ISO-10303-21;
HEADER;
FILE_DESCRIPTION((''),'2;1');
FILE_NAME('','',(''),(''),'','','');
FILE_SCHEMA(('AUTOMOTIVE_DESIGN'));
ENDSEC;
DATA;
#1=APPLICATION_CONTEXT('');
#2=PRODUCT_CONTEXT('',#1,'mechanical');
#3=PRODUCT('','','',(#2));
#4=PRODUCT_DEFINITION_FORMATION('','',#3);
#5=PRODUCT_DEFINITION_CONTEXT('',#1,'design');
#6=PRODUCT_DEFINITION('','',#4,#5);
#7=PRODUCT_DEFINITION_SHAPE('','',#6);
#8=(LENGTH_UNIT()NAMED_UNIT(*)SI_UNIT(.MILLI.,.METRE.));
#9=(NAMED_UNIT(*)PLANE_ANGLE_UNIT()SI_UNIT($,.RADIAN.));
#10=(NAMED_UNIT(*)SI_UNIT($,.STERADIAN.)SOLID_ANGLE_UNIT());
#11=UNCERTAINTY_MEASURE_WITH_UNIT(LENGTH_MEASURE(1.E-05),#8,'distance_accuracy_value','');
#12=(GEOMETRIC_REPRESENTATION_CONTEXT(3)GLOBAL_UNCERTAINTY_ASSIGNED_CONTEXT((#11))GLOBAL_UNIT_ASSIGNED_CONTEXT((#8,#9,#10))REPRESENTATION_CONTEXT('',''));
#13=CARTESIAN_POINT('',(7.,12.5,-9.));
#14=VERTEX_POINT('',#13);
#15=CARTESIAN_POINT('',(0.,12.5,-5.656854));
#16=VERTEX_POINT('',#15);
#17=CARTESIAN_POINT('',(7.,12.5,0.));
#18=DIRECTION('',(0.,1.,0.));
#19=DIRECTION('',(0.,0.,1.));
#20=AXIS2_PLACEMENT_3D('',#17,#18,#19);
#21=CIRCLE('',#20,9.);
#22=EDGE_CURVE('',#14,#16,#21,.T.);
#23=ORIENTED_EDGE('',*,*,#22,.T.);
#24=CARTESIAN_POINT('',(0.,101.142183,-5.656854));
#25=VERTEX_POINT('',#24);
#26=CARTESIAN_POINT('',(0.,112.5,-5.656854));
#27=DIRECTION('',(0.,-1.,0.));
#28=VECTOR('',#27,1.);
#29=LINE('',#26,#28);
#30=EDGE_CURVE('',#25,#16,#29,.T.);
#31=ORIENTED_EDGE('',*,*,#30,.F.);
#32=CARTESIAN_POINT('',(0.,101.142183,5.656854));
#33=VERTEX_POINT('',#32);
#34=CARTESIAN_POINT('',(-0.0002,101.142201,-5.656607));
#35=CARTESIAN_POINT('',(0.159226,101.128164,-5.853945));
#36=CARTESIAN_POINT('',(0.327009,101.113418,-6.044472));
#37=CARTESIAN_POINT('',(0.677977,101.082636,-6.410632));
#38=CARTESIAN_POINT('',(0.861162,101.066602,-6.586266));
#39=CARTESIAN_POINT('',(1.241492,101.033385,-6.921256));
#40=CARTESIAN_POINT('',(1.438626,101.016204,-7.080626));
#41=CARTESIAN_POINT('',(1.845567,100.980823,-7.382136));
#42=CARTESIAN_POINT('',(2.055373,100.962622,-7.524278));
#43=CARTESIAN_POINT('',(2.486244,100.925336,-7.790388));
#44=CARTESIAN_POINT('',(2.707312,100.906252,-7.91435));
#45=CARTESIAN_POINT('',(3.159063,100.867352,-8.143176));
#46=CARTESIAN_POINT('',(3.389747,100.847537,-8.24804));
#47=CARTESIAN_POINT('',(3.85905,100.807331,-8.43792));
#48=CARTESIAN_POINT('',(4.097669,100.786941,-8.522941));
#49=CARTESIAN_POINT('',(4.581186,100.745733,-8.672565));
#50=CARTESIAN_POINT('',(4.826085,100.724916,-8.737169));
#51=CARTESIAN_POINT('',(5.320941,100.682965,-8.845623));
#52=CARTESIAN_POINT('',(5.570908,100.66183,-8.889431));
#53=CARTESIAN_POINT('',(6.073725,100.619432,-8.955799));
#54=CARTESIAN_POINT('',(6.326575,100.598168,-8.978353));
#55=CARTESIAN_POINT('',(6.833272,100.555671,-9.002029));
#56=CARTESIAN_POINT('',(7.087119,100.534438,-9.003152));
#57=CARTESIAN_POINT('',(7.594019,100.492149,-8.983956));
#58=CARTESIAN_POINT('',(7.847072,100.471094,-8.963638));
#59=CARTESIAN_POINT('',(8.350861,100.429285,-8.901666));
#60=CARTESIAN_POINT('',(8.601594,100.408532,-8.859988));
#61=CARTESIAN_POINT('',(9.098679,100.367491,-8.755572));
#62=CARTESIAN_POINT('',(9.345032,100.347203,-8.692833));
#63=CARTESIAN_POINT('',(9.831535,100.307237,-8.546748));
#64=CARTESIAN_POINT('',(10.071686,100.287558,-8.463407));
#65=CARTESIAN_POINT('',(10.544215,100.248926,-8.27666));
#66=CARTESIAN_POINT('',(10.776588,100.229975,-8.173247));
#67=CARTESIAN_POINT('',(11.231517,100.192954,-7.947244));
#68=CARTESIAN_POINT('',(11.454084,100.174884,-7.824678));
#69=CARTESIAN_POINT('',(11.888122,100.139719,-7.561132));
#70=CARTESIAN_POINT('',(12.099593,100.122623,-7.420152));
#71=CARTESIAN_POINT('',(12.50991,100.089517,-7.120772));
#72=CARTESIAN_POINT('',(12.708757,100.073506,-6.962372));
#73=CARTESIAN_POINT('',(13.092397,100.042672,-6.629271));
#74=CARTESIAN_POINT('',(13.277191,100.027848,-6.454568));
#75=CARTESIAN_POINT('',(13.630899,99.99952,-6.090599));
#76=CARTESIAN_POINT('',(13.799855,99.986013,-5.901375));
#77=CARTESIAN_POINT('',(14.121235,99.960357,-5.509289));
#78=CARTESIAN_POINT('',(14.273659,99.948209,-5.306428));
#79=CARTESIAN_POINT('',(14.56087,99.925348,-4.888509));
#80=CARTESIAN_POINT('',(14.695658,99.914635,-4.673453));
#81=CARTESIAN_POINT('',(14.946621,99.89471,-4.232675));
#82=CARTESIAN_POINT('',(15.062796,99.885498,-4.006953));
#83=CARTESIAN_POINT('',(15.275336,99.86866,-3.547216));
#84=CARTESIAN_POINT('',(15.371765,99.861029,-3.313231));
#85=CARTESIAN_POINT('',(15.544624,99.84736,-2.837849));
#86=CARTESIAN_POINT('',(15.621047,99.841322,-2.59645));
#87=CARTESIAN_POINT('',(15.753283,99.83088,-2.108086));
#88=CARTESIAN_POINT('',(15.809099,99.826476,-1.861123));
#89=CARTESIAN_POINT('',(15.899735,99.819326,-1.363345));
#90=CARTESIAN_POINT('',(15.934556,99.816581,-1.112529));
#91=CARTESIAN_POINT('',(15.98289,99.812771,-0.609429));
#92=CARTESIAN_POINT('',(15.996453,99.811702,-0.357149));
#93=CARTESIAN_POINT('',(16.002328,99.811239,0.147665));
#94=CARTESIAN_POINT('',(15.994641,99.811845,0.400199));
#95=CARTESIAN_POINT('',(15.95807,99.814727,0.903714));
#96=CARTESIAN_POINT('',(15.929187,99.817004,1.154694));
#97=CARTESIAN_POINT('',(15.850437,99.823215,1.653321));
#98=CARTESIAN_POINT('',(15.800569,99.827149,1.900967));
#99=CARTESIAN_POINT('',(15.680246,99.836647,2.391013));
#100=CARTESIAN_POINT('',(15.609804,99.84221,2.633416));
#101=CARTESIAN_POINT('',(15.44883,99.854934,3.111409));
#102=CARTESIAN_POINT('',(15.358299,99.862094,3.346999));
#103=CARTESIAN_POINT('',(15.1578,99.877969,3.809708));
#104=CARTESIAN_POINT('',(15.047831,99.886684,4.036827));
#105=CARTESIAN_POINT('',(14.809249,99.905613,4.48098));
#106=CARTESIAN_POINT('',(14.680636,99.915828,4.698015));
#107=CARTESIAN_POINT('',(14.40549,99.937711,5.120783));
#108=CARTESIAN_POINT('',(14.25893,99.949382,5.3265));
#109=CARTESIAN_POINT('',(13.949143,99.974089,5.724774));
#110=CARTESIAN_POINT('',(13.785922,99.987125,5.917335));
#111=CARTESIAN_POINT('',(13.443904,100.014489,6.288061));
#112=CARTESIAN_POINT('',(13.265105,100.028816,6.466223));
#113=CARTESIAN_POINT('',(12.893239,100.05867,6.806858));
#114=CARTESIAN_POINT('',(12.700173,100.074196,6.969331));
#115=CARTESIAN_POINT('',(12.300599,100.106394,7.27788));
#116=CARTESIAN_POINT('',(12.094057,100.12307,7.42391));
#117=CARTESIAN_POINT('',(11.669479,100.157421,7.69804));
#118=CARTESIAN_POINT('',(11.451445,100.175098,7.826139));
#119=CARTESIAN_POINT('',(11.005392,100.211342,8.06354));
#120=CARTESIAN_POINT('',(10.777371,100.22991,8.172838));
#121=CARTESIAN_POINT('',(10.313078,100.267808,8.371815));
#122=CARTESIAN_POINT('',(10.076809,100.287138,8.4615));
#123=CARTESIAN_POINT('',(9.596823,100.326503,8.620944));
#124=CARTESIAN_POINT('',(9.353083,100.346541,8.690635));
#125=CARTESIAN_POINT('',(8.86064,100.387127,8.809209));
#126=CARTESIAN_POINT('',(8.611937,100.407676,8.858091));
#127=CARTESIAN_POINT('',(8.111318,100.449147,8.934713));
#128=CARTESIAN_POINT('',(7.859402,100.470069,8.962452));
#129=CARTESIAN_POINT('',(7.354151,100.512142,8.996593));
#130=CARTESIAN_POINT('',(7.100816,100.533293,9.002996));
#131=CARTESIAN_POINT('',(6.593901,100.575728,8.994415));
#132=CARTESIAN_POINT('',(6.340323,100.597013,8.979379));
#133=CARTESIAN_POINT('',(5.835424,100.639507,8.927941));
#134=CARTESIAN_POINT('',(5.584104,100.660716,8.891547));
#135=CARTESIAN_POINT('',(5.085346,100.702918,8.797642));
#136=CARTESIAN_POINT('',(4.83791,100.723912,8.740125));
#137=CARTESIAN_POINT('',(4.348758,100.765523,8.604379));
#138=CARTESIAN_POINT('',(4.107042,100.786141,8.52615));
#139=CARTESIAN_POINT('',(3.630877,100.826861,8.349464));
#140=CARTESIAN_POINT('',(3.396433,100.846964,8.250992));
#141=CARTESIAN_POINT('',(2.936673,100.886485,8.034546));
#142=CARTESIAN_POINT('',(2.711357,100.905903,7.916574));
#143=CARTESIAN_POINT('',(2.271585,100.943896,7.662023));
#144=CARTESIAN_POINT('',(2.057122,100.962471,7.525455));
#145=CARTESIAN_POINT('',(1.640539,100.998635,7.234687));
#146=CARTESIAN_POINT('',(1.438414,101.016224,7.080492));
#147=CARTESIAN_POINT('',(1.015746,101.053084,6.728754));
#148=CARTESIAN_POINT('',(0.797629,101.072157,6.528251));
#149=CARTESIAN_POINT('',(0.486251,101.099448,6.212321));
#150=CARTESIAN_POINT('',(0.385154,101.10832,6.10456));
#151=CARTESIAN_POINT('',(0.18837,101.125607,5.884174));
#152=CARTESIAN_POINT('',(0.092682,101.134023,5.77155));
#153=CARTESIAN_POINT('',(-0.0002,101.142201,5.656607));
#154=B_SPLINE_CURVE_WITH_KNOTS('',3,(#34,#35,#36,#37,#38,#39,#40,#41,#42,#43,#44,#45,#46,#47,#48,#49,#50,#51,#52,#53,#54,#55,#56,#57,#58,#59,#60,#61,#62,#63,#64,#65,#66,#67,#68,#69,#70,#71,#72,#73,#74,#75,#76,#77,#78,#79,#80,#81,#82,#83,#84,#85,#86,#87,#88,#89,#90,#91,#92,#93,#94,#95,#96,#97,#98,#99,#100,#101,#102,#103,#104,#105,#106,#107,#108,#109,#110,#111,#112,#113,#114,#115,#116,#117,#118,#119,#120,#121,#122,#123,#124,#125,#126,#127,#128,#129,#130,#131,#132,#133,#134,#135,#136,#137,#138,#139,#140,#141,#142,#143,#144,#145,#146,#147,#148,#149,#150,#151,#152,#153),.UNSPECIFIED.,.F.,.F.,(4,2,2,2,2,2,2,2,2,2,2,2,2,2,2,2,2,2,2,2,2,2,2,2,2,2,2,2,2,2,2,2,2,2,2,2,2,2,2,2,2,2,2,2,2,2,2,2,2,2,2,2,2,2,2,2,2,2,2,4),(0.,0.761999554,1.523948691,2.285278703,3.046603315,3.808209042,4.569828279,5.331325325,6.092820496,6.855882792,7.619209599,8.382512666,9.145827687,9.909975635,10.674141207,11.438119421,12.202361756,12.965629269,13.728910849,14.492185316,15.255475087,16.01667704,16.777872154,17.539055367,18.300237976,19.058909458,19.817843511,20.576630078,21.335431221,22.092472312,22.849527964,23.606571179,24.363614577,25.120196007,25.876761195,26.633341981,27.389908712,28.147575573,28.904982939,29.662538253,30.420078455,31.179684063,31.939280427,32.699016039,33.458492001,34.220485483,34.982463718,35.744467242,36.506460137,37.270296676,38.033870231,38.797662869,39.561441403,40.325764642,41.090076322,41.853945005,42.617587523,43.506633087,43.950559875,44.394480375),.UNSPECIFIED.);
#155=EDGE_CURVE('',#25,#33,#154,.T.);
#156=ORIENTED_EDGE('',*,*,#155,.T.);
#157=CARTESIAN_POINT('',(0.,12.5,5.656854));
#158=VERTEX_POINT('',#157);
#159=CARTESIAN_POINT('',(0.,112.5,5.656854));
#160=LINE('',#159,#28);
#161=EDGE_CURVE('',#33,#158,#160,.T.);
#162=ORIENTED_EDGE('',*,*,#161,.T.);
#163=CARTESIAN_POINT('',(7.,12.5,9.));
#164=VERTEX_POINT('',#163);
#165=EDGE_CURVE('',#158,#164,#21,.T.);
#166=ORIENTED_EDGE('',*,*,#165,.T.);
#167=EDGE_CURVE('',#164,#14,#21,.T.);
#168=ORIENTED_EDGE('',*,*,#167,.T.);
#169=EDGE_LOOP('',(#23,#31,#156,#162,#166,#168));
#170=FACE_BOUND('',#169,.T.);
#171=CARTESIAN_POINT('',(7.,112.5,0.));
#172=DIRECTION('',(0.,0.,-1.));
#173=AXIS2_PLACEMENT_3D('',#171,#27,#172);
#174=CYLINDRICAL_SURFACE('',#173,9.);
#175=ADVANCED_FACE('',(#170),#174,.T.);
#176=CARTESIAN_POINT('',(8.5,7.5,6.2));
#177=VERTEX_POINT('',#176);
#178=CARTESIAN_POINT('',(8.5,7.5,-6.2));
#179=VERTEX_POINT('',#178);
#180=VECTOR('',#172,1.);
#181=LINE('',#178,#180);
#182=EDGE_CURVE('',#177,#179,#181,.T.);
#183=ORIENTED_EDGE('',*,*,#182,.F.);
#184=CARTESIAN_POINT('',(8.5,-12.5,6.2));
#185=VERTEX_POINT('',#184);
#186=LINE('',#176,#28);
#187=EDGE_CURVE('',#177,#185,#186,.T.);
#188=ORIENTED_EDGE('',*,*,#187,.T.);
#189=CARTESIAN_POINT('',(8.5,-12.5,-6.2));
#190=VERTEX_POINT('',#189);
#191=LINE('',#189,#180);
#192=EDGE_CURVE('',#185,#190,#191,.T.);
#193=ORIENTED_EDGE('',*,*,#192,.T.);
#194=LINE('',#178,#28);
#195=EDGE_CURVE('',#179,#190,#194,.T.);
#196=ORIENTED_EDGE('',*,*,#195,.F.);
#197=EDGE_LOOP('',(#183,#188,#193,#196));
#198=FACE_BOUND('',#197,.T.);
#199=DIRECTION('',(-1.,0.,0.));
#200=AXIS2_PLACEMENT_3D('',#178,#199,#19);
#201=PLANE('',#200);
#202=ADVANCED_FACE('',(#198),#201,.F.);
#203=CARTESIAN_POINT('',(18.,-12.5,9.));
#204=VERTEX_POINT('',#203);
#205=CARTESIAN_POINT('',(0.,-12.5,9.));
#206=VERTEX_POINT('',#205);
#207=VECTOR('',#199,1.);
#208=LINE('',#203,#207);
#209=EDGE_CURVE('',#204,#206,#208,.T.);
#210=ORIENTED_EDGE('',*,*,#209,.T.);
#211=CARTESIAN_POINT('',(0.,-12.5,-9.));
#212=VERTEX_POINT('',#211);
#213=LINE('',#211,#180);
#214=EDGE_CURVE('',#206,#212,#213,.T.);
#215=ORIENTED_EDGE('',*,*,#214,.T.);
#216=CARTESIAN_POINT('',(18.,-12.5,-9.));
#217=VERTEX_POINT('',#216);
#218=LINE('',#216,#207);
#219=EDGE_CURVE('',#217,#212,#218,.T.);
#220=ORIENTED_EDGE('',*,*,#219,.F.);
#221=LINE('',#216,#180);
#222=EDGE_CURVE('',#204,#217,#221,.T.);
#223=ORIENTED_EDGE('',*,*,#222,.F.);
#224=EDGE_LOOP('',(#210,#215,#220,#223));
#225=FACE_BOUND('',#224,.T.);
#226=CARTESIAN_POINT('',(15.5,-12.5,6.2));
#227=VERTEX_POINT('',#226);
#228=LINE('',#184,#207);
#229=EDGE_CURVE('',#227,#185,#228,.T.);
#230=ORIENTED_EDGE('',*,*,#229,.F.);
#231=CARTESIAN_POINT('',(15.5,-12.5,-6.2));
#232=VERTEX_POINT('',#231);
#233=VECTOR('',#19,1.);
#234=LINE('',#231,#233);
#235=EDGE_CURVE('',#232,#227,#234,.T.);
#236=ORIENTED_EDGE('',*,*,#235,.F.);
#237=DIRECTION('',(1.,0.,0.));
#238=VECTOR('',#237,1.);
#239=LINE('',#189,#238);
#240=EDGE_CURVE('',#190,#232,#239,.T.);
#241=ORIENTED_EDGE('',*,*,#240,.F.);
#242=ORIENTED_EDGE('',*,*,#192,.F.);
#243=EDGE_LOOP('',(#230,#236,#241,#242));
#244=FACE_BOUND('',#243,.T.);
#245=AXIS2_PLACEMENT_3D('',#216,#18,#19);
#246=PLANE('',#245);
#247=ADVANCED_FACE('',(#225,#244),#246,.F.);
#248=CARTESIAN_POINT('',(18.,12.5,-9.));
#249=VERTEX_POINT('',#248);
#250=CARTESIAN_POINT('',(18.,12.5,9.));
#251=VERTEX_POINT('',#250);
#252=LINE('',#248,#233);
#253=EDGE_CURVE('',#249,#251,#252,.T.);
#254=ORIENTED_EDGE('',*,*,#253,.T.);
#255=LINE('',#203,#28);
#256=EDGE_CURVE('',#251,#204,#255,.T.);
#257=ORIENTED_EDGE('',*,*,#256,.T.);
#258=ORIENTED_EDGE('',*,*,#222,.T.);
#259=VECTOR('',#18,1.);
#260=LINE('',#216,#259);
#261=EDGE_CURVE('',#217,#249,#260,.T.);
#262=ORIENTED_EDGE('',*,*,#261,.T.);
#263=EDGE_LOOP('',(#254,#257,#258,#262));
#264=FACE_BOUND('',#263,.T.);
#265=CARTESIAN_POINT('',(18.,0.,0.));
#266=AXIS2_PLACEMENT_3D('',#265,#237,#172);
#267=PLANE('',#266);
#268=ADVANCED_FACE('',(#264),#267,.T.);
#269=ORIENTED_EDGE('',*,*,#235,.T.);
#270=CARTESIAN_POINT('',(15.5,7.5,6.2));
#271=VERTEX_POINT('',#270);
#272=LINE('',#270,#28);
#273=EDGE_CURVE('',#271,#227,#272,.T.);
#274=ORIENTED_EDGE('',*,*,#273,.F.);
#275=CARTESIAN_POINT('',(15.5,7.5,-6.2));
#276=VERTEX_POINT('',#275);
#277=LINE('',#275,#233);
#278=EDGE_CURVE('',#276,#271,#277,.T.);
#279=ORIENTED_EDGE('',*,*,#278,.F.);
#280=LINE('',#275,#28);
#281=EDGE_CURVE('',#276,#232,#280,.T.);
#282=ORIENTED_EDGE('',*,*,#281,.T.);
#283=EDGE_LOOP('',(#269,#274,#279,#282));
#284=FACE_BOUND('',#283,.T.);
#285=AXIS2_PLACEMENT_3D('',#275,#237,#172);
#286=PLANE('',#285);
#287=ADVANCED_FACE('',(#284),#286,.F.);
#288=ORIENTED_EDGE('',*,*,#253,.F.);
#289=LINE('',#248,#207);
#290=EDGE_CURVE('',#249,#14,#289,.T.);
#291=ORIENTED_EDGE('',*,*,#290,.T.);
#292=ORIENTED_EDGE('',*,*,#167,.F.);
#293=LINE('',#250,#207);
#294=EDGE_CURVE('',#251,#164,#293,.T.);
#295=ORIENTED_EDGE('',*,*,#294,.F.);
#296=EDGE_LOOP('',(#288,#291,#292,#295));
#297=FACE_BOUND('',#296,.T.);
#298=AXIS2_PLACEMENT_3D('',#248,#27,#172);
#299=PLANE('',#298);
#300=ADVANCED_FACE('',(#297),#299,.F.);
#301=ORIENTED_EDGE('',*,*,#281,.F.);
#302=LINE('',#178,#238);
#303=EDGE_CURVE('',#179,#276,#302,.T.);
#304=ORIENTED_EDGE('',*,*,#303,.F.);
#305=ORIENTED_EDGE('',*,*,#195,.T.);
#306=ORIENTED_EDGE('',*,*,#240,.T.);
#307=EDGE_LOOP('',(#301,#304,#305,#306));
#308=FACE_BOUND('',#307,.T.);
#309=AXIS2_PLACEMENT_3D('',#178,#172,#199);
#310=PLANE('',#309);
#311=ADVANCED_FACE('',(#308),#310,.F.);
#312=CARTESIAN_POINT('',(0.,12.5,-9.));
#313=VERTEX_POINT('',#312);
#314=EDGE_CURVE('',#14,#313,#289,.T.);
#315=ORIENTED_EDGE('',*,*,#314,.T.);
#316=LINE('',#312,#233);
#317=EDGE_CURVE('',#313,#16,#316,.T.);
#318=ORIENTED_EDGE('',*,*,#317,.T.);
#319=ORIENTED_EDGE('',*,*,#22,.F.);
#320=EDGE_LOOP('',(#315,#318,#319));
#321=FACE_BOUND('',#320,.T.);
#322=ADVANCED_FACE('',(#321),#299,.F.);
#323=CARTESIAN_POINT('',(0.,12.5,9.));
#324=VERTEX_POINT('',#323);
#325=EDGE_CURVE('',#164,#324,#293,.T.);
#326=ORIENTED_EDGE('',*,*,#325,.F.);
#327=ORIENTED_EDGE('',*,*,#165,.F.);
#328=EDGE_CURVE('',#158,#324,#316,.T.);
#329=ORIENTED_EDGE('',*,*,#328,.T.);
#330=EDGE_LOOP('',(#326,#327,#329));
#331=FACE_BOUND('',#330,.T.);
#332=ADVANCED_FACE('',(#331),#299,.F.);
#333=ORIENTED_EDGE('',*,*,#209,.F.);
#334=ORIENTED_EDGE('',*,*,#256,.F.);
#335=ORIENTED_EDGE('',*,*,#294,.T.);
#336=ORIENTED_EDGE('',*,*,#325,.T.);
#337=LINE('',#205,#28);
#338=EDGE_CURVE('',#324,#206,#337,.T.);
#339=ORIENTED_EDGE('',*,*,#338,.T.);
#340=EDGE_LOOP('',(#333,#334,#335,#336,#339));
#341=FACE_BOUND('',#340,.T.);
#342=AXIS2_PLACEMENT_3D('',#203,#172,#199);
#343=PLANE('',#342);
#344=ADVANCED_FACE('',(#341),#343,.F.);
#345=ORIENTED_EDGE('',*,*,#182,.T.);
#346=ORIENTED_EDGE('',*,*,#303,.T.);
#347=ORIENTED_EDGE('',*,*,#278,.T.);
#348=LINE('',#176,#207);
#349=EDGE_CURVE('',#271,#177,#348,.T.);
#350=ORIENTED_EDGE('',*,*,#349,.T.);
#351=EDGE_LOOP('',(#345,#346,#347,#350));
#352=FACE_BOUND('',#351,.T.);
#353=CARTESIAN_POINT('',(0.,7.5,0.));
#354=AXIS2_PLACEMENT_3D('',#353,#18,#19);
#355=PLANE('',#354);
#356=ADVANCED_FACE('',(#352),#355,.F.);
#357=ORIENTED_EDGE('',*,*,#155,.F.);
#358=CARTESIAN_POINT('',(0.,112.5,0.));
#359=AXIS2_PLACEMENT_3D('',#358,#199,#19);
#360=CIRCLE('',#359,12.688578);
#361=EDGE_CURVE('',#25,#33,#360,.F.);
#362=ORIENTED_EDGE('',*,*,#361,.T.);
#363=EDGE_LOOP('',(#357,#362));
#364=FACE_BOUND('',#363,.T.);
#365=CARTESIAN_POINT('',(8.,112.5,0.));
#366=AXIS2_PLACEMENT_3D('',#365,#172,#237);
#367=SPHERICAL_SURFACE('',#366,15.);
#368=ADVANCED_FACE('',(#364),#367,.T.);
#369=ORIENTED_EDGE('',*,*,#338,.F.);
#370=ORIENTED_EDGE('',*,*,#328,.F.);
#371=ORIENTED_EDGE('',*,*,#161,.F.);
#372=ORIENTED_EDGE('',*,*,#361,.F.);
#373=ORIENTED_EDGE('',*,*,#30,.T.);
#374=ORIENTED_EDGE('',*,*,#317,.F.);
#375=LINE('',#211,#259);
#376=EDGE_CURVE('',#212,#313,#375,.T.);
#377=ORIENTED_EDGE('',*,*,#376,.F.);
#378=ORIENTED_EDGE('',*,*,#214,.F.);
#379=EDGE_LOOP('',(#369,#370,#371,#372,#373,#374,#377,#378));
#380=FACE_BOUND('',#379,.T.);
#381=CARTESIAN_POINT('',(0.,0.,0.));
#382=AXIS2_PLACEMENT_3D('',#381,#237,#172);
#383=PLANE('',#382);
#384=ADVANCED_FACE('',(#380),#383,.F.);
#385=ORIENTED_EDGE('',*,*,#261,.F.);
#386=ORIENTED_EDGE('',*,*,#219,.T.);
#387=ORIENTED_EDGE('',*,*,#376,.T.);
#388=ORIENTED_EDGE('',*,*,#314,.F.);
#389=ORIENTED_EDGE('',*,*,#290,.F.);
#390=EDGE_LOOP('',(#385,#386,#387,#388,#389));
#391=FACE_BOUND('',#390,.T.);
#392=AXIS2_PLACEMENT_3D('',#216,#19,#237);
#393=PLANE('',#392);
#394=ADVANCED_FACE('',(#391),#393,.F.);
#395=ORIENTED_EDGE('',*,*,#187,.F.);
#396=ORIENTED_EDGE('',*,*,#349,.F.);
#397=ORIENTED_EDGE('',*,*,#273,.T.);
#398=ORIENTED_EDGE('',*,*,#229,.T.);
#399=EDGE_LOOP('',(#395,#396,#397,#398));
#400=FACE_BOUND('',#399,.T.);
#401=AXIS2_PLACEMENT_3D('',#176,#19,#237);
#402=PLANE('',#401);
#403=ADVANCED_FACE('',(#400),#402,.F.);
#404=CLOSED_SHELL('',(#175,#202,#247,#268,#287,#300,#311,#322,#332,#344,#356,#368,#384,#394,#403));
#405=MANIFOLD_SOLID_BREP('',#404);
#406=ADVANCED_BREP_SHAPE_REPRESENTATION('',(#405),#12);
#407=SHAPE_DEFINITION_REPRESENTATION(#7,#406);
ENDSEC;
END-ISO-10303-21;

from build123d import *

# Parameters (mm, degrees)
SKETCH1_W           = 18
SKETCH1_H           = 25
BOSS_EXTRUDE1_DEPTH = 18
SKETCH2_W           = 7
SKETCH2_H           = 12.4
CUT_EXTRUDE1_DEPTH  = 20
BOSS_EXTRUDE2_DEPTH = 100
CUT_EXTRUDE2_DEPTH  = 100


with BuildPart() as part:
    # Sketch1 → Boss-Extrude1 (new body)
    with BuildSketch(Plane(origin=(0, 0, 0), x_dir=(0, 0, -1), z_dir=(1, 0, 0))):
        Rectangle(SKETCH1_W, SKETCH1_H)
    extrude(amount=BOSS_EXTRUDE1_DEPTH)

    # Sketch2 → Cut-Extrude1 (cut)
    with BuildSketch(Plane.XZ.offset(12.5)):
        with Locations((12, 0)):
            Rectangle(SKETCH2_W, SKETCH2_H)
    extrude(amount=-CUT_EXTRUDE1_DEPTH, mode=Mode.SUBTRACT)

    # Sketch3 → Boss-Extrude2 (add)
    with BuildSketch(Plane(origin=(0, 12.5, 0), x_dir=(1, 0, 0), z_dir=(0, 1, 0))):
        with BuildLine():
            Line((0, 5.656854249), (0, -5.656854249))
            ThreePointArc((0, -5.656854249), (16, 0), (0, 5.656854249))
        make_face()
    extrude(amount=BOSS_EXTRUDE2_DEPTH)

    # Sketch6 → Revolve2 (revolve)
    with BuildSketch(Plane(origin=(0, 112.5, 0), x_dir=(1, 0, 0), z_dir=(0, 1, 0))):
        with BuildLine():
            Line((8, 15), (8, -15))
            ThreePointArc((8, -15), (-7, 0), (8, 15))
        make_face()
    revolve(axis=Axis((8, 112.5, -15), (0, 0, 1)))

    # Sketch7 → Cut-Extrude2 (cut)
    with BuildSketch(Plane.ZY):
        with BuildLine():
            ThreePointArc((-5.656854249, 101.142183308), (0, 203.728611238), (5.656854249, 101.142183308))
            ThreePointArc((5.656854249, 101.142183308), (0, 99.81142246), (-5.656854249, 101.142183308))
        make_face()
    extrude(amount=CUT_EXTRUDE2_DEPTH, mode=Mode.SUBTRACT)


solid = part.part
